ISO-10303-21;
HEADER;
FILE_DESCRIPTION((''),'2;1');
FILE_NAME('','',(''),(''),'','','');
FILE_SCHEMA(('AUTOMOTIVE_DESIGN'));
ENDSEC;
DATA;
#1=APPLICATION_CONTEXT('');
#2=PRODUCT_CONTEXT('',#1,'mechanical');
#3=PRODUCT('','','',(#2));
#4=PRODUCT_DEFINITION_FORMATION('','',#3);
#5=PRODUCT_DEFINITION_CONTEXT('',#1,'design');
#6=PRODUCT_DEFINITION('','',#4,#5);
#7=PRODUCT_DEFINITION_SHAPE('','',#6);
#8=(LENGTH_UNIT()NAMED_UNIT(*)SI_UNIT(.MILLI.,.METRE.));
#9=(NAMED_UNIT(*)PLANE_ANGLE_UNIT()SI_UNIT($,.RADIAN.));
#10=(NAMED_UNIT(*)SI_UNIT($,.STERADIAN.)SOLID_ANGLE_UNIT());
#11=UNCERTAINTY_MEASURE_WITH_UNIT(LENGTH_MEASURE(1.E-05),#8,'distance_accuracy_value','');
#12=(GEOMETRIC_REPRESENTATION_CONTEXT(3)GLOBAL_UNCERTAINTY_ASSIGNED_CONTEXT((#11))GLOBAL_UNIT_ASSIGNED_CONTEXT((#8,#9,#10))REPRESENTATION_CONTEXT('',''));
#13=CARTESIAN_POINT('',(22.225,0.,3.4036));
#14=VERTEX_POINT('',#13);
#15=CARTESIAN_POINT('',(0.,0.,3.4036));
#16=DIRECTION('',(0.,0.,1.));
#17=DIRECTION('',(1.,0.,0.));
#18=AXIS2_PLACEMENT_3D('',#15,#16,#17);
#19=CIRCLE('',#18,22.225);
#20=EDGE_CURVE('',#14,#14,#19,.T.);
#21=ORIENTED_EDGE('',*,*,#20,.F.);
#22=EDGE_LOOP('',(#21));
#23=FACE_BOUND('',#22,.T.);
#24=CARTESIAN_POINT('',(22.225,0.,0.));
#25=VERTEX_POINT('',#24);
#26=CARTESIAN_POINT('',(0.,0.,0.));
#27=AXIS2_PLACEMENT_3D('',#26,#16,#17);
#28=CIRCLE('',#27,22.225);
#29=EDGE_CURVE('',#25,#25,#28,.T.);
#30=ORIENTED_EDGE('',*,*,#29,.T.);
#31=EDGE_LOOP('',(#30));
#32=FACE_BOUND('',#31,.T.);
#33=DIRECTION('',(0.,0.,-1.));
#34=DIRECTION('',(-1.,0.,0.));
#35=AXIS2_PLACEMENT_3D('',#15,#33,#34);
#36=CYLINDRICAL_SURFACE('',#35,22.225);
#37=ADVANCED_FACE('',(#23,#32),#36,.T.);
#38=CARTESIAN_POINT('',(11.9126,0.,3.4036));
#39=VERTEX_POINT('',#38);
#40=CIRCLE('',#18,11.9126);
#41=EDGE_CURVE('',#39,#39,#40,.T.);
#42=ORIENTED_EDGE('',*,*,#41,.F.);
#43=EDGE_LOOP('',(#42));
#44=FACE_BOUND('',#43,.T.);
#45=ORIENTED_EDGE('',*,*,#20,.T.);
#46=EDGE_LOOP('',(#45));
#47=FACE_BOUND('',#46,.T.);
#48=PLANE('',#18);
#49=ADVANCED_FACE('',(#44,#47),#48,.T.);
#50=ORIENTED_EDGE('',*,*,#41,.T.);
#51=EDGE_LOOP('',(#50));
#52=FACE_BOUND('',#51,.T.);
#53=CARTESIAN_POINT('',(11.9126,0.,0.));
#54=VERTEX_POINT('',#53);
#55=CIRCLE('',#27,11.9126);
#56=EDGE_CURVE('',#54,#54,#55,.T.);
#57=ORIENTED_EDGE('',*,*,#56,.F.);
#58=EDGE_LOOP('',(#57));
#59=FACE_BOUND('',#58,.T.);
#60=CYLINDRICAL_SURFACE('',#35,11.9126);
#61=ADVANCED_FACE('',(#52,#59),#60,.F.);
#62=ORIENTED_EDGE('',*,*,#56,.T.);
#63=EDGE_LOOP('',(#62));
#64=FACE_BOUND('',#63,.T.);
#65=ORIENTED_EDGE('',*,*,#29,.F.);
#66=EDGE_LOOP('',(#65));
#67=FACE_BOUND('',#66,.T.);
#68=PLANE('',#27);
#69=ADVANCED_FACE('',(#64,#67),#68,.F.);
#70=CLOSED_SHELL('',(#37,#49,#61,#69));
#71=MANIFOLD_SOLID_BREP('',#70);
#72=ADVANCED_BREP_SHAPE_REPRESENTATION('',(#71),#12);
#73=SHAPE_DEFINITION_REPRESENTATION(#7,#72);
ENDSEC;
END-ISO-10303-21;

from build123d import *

# Parameters (mm, degrees)
SKETCH1_R          = 22.225
SKETCH1_R_2        = 11.9126
BASE_EXTRUDE_DEPTH = 3.4036


with BuildPart() as part:
    # Sketch1 → Base-Extrude (new body)
    with BuildSketch(Plane.XY):
        Circle(SKETCH1_R)
        Circle(SKETCH1_R_2, mode=Mode.SUBTRACT)
    extrude(amount=BASE_EXTRUDE_DEPTH)


solid = part.part
